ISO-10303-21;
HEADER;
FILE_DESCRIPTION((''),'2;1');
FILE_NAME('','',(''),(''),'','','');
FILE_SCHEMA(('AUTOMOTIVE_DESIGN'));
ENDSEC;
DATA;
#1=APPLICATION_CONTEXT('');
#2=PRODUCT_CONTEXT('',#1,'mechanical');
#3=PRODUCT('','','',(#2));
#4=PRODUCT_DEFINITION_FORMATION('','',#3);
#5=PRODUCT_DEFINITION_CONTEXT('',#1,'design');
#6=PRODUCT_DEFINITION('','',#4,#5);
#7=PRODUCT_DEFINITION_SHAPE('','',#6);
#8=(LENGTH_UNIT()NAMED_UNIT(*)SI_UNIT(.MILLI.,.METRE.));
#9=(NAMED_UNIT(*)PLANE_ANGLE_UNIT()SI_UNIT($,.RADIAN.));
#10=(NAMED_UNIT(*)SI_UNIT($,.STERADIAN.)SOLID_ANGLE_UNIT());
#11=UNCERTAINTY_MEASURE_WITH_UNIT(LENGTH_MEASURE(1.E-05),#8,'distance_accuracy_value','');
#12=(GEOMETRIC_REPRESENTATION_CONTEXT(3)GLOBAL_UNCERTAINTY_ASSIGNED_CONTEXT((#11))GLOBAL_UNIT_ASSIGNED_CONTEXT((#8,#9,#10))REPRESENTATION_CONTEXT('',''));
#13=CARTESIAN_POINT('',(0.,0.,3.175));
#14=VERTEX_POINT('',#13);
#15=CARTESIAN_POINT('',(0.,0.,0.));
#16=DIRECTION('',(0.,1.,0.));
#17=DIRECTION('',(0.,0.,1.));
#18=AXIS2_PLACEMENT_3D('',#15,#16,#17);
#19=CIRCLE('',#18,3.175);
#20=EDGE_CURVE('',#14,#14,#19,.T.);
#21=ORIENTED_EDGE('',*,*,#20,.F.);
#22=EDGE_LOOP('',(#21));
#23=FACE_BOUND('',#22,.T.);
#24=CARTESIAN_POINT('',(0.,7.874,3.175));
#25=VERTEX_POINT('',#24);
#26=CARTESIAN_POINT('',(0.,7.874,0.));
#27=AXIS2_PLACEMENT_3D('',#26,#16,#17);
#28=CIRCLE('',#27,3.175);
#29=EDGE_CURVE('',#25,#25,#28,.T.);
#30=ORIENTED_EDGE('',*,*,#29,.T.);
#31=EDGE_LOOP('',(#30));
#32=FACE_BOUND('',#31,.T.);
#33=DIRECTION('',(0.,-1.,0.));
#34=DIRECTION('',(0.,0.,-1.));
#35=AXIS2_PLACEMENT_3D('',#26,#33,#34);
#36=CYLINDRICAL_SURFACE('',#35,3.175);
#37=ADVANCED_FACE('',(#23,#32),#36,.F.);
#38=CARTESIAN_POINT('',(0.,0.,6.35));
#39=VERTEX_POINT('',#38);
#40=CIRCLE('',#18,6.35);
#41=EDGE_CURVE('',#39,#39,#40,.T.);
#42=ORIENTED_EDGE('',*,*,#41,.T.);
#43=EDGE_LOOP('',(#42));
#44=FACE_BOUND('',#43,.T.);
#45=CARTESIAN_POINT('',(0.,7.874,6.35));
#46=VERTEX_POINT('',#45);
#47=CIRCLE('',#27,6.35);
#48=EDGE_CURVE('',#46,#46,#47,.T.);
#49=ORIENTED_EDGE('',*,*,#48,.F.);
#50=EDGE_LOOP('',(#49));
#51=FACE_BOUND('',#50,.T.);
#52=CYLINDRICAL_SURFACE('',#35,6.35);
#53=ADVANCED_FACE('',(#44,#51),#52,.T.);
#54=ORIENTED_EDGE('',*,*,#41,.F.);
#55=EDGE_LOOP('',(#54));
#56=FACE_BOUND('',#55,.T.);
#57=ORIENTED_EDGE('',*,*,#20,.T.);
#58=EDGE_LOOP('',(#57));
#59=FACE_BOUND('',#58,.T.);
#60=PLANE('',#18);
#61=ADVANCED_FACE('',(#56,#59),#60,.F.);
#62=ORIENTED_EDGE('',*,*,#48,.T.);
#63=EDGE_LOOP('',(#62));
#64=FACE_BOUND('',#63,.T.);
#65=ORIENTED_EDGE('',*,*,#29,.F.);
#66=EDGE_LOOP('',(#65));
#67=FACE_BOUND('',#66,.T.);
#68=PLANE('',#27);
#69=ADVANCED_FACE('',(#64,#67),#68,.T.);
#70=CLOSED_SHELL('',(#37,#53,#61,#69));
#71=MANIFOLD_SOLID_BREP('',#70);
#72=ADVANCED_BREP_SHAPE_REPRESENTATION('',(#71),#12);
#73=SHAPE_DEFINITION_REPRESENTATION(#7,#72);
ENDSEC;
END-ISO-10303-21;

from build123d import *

# Parameters (mm, degrees)
SKETCH1_R           = 6.35
SKETCH1_R_2         = 3.175
BOSS_EXTRUDE1_DEPTH = 7.874


with BuildPart() as part:
    # Sketch1 → Boss-Extrude1 (new body)
    with BuildSketch(Plane(origin=(0, 0, 0), x_dir=(1, 0, 0), z_dir=(0, 1, 0))):
        with Locations(Location((0, 0, 0), (0, 0, 270))):
            Circle(SKETCH1_R)
        with Locations(Location((0, 0, 0), (0, 0, 270))):
            Circle(SKETCH1_R_2, mode=Mode.SUBTRACT)
    extrude(amount=BOSS_EXTRUDE1_DEPTH)


solid = part.part
